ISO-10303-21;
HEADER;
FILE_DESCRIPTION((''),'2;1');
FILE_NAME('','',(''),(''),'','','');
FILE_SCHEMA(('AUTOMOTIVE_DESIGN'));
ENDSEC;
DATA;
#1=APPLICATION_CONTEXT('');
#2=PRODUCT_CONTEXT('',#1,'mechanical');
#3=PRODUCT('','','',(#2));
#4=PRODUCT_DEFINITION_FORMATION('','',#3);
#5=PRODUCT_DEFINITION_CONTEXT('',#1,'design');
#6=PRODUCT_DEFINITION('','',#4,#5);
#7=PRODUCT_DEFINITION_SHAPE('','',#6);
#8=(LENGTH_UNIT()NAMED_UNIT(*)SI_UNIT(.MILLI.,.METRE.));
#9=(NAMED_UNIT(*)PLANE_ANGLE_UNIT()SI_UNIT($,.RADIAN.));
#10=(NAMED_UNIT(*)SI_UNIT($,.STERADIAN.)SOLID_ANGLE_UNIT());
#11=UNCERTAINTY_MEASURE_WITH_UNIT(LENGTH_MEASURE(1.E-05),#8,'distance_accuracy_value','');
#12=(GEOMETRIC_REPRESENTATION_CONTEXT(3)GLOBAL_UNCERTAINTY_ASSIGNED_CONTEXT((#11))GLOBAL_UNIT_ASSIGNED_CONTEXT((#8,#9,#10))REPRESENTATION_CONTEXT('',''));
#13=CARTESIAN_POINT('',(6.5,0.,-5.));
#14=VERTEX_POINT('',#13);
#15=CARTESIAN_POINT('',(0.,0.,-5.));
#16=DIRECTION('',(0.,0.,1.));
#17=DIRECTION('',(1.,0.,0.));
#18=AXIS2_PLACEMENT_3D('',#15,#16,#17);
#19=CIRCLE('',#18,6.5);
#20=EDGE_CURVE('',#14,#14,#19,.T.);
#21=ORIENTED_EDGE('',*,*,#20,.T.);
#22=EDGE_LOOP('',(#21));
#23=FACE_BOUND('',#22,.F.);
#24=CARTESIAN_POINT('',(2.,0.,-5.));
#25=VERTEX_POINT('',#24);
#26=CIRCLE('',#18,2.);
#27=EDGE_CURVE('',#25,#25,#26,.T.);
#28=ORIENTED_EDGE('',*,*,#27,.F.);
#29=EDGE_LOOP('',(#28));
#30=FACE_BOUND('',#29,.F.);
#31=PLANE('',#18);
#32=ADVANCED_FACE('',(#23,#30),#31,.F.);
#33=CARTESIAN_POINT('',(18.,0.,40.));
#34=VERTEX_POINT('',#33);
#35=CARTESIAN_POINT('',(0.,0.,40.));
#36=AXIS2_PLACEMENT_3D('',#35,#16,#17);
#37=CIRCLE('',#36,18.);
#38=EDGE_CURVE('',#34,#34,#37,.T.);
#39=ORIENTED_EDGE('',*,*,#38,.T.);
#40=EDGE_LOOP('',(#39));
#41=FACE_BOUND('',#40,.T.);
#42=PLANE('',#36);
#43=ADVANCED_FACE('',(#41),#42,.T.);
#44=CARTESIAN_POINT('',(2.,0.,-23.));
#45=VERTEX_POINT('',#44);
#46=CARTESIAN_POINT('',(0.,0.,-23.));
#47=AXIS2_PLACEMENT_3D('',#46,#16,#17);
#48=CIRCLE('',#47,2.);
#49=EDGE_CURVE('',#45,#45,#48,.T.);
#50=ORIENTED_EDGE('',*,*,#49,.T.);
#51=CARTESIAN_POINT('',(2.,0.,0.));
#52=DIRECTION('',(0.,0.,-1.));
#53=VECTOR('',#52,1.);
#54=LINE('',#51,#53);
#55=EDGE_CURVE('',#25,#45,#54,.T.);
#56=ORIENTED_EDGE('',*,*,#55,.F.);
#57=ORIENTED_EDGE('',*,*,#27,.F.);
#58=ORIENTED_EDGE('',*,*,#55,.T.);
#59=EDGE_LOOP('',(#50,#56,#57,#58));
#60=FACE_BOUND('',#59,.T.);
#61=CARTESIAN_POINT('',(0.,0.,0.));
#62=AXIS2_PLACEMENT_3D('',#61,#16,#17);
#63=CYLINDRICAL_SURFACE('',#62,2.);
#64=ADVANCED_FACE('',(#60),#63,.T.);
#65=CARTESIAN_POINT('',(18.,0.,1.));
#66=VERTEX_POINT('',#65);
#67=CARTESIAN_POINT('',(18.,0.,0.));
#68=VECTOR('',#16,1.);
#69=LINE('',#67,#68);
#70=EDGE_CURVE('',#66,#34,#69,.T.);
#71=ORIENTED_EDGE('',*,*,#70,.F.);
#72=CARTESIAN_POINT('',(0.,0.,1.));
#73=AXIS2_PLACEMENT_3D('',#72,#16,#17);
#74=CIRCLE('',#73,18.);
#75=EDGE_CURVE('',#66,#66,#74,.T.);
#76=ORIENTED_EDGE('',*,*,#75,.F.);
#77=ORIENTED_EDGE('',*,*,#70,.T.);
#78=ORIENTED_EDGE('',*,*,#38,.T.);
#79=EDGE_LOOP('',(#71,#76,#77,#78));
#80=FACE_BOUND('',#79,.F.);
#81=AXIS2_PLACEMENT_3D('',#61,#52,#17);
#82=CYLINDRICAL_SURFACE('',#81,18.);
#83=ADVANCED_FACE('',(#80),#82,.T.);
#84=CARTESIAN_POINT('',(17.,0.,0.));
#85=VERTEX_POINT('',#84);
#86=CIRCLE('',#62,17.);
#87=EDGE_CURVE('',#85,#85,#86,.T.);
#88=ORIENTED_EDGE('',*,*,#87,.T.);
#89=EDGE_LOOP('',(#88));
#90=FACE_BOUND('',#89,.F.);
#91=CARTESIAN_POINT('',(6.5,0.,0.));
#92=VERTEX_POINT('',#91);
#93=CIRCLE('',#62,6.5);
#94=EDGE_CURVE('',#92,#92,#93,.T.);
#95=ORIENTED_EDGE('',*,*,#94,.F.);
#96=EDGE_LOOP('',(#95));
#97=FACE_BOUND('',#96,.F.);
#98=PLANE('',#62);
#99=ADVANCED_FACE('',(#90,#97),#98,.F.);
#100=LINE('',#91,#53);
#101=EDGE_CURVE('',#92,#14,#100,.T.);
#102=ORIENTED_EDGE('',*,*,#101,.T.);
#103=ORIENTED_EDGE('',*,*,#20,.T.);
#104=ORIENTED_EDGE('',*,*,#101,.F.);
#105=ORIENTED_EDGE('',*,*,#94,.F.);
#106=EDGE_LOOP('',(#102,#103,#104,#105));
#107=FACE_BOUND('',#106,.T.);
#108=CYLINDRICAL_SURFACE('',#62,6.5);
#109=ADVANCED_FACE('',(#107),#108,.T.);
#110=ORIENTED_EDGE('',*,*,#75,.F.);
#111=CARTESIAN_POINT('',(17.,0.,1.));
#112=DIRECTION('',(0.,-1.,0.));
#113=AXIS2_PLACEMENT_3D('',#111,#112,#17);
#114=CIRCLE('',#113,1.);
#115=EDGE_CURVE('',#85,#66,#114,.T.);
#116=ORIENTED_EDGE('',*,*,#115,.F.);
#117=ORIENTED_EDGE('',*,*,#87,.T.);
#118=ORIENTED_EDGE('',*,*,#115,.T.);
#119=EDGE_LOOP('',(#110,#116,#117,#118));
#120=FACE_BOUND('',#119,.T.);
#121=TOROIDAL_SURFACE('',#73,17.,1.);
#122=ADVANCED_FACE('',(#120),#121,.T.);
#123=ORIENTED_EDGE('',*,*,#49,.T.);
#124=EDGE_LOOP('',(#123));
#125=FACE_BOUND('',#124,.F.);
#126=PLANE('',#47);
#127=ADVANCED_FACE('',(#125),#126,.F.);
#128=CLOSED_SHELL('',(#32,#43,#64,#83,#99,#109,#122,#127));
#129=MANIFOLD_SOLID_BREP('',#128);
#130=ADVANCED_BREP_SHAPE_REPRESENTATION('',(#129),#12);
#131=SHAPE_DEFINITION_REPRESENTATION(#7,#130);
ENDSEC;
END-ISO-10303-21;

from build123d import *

# Parameters (mm, degrees)
F0_R     = 18
F1_DEPTH = 40
F2_R     = 6.5
F3_DEPTH = 5
F4_R     = 2
F5_DEPTH = 23
F6_R     = 1


with BuildPart() as f1:
    # F0 (on Top) → F1 (new body)
    with BuildSketch(Plane.XY):
        Circle(F0_R)
    extrude(amount=F1_DEPTH)

    # F2 (on Top) → F3 (join)
    with BuildSketch(Plane.XY):
        Circle(F2_R)
    extrude(amount=-F3_DEPTH)

    # F4 (on Top) → F5 (join)
    with BuildSketch(Plane.XY):
        Circle(F4_R)
    extrude(amount=-F5_DEPTH)

    # F6
    f6_edges = [f1.edges().sort_by_distance(p)[0] for p in [
        (-18, 0, 0),
    ]]
    fillet(f6_edges, radius=F6_R)


solid = f1.part
